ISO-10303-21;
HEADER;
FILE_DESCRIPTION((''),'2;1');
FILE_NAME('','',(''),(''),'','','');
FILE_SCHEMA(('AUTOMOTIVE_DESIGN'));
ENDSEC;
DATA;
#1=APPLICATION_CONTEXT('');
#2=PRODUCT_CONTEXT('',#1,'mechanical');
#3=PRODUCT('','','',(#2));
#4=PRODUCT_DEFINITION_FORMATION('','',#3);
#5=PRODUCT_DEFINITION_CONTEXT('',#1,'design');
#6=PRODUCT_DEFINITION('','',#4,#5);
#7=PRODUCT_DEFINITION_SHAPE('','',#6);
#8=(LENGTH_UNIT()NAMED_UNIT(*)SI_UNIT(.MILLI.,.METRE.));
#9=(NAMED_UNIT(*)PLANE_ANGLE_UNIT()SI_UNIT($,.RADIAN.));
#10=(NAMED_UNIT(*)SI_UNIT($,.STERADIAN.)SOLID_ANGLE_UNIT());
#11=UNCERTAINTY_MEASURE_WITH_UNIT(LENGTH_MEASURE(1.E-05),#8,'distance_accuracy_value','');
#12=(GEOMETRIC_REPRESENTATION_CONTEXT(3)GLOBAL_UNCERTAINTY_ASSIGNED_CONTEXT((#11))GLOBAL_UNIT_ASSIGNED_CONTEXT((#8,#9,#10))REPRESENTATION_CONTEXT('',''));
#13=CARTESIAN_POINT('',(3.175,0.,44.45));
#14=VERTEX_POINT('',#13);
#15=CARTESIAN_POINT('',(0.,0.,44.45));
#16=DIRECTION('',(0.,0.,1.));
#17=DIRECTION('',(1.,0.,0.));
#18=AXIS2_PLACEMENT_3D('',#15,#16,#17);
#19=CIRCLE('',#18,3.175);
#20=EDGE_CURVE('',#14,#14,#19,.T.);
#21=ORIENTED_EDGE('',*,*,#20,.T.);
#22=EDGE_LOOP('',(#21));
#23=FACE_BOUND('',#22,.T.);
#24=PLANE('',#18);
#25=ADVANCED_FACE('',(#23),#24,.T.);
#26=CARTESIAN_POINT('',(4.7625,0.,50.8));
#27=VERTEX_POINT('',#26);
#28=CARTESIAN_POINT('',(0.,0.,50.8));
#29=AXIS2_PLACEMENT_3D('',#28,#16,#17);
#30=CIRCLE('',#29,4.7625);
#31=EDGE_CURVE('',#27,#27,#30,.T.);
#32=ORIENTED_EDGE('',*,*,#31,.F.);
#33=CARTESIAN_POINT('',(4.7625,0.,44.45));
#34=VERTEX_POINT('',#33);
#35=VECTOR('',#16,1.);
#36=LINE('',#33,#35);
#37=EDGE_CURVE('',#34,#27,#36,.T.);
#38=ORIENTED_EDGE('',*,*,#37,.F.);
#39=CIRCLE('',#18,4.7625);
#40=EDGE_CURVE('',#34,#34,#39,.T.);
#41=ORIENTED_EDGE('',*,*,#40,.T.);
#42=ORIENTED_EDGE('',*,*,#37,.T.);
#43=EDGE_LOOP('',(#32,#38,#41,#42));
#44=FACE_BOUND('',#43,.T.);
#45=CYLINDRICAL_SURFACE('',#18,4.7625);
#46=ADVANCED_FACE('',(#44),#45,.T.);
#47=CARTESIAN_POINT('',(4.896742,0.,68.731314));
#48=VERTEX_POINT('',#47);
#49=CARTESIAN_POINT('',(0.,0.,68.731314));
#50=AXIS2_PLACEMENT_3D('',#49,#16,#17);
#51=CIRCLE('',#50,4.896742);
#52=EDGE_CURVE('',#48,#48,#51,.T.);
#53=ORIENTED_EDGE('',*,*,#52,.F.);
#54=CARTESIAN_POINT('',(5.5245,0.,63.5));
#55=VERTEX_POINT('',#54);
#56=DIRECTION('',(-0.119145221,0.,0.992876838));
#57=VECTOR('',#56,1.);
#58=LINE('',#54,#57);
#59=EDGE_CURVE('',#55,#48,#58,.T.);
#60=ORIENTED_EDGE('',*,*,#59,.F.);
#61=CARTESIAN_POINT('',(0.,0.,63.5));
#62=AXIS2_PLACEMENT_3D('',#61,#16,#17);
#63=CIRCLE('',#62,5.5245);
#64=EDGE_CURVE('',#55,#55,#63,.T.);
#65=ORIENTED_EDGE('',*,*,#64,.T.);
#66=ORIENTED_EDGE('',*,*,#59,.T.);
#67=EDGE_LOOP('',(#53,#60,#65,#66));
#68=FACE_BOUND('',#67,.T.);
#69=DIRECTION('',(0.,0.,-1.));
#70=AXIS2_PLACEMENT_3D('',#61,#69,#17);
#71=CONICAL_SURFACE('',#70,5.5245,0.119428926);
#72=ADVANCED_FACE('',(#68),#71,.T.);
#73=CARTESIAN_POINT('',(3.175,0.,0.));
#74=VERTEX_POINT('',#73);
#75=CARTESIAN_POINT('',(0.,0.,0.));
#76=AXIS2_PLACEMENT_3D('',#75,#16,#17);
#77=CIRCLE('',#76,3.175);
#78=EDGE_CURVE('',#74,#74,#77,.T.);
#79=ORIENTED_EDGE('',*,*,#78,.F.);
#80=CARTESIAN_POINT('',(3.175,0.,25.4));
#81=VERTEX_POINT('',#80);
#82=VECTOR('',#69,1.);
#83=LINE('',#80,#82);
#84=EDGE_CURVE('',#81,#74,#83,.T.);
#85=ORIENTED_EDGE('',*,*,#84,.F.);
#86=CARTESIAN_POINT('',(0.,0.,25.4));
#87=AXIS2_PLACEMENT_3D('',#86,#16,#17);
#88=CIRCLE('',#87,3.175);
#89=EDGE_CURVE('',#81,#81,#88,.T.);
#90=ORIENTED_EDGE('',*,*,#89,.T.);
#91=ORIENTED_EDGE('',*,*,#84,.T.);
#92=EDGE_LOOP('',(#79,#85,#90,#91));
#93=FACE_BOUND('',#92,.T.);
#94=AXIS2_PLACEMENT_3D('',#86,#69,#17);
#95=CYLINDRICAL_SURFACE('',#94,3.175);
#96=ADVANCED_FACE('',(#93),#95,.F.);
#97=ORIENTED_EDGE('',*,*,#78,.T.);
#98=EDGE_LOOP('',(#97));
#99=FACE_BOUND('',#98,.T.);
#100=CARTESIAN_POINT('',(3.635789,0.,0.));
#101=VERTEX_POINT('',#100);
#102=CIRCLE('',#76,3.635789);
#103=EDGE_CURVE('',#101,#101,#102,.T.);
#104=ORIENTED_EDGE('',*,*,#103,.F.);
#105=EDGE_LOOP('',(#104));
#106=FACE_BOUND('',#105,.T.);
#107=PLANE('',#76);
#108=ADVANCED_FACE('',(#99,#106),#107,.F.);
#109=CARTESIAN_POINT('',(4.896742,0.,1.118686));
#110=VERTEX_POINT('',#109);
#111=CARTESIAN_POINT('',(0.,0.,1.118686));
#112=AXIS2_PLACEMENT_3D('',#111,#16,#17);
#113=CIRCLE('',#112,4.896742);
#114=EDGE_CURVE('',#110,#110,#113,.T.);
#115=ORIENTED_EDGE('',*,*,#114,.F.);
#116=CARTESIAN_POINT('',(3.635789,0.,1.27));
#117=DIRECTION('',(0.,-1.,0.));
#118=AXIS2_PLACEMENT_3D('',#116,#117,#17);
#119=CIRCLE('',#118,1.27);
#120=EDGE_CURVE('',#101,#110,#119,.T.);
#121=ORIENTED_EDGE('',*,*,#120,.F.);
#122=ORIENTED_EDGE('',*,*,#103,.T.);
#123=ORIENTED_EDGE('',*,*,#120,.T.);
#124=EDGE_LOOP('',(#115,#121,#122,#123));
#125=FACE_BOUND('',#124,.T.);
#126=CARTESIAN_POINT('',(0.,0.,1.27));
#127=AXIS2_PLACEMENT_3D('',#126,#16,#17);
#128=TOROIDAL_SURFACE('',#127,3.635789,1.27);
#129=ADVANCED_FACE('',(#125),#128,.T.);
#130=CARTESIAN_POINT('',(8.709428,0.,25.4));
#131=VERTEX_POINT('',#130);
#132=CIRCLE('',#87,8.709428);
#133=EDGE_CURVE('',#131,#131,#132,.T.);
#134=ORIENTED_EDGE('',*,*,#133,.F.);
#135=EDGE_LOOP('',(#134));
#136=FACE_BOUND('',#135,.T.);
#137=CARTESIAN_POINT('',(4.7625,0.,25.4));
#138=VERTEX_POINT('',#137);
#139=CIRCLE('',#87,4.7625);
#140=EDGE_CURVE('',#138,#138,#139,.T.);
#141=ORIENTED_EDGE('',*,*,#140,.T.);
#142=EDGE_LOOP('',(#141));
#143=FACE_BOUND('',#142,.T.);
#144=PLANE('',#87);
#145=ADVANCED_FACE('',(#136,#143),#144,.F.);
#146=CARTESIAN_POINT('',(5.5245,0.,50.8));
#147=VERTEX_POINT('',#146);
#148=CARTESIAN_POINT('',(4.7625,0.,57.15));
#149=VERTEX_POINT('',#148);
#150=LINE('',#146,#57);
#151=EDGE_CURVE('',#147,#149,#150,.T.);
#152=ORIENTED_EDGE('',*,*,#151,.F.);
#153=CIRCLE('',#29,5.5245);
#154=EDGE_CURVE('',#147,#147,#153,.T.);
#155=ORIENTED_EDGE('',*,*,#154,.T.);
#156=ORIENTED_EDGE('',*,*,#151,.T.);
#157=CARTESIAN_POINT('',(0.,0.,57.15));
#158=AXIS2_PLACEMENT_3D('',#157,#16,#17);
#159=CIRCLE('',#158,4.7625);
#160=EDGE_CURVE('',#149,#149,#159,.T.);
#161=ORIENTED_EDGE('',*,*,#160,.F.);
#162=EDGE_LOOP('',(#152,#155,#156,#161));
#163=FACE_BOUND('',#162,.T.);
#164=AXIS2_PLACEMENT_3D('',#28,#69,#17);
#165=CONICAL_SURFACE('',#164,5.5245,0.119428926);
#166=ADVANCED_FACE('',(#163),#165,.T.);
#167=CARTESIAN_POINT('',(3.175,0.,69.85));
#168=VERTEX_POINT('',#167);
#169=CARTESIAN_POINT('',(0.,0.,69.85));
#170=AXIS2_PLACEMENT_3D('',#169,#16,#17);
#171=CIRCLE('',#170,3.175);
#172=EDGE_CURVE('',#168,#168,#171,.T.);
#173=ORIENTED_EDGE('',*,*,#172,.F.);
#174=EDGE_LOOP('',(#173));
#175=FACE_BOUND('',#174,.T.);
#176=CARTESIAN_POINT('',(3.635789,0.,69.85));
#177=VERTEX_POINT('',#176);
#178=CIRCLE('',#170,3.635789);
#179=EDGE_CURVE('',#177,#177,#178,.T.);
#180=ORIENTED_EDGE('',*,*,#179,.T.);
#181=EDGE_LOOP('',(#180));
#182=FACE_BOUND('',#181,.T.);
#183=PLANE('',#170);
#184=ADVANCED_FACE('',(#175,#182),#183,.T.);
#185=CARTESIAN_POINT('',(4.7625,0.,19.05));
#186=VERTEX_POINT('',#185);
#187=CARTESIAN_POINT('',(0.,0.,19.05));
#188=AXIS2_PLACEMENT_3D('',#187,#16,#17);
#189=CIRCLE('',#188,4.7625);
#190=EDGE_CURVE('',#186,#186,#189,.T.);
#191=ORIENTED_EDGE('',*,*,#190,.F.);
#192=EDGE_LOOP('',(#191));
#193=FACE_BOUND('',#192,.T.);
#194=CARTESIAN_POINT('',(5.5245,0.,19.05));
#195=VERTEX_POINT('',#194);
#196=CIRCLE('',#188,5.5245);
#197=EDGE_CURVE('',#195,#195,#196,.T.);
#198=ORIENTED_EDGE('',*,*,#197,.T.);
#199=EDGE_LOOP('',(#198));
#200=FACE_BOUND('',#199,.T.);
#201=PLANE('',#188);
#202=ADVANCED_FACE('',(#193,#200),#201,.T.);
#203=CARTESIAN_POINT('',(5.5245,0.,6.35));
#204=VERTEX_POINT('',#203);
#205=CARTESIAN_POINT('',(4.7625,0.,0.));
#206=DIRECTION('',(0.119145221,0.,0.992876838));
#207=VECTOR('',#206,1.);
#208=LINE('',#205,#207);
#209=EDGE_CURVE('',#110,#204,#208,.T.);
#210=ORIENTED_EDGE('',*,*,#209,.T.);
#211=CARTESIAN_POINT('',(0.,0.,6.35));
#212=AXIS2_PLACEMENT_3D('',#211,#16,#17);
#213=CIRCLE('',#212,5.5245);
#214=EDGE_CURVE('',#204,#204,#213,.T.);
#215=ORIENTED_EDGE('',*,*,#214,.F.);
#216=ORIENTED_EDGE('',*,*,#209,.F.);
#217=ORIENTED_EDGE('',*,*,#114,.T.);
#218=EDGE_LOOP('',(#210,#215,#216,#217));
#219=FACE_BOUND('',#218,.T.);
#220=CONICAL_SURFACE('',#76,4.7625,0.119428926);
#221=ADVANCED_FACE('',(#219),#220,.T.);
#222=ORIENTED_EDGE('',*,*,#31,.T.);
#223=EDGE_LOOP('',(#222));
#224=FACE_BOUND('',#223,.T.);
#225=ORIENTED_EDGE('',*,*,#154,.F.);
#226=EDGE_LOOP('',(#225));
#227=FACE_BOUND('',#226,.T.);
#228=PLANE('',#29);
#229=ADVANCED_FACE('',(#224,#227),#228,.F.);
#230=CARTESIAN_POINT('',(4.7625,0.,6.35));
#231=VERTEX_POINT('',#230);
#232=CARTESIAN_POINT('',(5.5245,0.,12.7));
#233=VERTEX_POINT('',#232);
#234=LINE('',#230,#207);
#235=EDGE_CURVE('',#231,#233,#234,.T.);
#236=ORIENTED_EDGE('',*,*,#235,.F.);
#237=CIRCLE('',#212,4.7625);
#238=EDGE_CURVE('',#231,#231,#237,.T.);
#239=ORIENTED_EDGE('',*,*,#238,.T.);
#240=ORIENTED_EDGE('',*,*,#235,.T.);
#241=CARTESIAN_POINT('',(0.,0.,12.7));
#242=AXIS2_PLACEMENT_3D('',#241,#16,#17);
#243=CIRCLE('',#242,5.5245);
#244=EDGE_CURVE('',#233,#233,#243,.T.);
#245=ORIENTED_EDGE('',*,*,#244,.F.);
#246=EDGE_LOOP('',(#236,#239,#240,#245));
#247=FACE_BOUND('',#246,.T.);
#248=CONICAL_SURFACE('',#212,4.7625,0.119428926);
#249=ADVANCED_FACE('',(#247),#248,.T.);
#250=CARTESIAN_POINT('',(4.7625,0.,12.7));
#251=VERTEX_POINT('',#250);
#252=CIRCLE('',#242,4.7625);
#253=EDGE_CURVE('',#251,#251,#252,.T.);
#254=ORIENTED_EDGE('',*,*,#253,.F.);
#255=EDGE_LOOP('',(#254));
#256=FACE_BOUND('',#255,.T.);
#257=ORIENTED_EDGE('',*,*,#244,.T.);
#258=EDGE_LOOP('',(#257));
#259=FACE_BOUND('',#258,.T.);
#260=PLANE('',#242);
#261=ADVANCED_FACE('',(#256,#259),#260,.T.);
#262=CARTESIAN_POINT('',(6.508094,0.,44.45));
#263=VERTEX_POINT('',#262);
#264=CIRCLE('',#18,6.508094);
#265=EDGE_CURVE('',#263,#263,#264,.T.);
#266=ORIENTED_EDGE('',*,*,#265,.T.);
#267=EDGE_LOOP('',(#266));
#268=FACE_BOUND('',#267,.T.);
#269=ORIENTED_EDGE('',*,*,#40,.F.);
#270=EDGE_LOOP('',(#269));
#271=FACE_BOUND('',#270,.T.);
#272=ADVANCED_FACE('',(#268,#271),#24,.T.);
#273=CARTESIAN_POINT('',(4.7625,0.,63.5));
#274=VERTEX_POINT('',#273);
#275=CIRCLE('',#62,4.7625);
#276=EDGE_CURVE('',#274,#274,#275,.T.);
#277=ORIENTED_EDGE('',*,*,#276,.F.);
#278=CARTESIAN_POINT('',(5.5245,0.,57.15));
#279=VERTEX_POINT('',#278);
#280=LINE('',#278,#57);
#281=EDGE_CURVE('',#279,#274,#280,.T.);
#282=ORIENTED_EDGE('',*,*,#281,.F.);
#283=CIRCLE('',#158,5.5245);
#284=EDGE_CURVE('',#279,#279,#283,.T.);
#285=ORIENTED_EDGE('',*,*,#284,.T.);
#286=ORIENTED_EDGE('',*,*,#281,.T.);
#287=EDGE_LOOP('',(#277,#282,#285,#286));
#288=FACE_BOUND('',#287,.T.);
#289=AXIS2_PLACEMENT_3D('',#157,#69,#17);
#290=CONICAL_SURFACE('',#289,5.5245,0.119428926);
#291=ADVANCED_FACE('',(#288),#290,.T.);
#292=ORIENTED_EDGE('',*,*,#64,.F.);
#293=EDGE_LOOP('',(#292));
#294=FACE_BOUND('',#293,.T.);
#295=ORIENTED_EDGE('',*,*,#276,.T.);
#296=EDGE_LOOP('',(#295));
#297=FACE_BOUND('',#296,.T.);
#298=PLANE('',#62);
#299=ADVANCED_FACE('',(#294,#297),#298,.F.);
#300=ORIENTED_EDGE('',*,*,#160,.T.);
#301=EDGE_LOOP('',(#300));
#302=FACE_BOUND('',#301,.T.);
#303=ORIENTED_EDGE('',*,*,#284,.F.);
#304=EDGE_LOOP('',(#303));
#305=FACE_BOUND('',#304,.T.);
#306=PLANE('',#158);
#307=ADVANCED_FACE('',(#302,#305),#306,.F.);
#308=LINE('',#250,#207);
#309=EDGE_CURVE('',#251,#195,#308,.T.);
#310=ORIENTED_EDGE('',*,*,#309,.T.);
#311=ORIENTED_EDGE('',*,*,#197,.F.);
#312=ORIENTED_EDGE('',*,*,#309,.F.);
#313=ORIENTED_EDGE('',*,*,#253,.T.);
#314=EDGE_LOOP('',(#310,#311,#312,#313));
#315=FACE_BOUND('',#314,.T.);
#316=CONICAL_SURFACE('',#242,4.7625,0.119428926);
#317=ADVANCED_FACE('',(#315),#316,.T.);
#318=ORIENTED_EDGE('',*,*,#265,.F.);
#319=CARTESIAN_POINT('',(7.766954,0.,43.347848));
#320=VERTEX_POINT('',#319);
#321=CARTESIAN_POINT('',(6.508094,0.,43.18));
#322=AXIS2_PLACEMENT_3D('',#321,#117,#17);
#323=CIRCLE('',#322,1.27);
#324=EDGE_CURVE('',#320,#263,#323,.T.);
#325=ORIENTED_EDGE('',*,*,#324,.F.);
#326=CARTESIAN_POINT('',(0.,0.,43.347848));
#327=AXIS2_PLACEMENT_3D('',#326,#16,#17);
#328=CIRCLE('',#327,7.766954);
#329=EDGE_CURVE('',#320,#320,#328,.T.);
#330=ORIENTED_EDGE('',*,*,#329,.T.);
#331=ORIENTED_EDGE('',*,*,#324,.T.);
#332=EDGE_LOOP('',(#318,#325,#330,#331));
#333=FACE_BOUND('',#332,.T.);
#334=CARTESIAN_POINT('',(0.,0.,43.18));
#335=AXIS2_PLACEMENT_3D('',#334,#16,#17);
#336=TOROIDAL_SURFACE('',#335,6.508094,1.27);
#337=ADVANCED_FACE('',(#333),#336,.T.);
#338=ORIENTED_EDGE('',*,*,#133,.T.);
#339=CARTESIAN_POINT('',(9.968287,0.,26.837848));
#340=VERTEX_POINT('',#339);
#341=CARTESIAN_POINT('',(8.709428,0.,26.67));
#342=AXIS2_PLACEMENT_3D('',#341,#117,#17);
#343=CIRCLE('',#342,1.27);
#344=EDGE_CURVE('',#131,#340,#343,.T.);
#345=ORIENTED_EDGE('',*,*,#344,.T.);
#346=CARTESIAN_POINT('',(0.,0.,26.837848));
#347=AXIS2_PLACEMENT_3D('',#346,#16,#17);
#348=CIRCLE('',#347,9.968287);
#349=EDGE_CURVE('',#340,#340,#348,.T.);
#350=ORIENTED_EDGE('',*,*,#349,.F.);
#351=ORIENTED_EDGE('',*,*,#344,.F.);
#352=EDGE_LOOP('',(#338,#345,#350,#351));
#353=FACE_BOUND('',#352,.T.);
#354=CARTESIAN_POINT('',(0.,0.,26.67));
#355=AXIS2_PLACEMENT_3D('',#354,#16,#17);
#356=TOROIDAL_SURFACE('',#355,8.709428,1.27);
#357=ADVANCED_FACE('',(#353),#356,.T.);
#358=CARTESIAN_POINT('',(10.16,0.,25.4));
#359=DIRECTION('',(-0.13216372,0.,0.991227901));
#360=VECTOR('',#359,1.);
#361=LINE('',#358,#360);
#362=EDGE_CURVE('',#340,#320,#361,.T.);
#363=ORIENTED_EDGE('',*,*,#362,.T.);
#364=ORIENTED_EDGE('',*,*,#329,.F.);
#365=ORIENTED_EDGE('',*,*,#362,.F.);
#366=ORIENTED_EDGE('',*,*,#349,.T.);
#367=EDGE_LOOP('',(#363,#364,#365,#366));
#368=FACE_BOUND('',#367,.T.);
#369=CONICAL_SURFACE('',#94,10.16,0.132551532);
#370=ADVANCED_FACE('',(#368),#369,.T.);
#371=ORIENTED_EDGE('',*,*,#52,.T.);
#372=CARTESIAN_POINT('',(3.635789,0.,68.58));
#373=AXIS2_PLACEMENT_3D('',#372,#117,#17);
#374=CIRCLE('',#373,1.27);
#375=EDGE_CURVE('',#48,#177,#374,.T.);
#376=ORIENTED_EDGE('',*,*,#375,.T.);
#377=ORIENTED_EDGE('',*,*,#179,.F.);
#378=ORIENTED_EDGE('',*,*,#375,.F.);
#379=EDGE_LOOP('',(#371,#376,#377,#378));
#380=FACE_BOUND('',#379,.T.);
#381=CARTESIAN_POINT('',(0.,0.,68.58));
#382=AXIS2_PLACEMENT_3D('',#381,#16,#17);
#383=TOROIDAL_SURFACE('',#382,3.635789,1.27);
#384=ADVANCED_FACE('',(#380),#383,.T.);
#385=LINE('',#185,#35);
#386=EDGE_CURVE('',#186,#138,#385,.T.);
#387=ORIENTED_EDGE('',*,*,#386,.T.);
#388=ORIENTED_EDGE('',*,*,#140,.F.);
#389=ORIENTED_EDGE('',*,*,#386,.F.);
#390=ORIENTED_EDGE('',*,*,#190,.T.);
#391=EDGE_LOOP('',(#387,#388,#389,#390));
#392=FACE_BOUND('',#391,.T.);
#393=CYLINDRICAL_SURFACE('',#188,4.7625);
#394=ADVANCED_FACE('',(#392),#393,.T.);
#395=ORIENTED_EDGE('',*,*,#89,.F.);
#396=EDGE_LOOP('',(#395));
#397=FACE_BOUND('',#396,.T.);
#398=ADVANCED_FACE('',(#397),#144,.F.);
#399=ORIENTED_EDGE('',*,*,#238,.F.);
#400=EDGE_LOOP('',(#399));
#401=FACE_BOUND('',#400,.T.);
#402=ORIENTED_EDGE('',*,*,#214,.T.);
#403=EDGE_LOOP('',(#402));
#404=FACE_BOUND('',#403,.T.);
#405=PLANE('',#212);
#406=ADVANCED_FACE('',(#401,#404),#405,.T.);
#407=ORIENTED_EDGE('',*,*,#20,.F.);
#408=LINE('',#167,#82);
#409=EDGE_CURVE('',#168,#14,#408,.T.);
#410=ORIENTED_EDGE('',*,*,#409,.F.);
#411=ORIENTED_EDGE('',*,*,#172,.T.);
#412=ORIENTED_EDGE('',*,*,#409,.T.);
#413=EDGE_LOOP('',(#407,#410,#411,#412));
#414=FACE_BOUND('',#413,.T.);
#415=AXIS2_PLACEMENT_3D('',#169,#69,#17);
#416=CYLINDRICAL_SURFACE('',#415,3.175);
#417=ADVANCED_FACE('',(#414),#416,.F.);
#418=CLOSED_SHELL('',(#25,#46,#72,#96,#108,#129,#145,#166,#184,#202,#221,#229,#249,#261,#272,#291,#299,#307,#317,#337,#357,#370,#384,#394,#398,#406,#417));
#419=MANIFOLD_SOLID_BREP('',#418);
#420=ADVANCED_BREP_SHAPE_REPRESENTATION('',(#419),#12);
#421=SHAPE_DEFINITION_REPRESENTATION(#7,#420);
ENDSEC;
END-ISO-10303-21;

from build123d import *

# Parameters (mm, degrees)
F2_R = 1.27


with BuildPart() as f1:
    # F0 (on Front) → F1 (revolve)
    with BuildSketch(Plane.XZ):
        Polygon((0, 34.925), (0, 25.4), (3.175, 25.4), (4.7625, 25.4), (5.5245, 25.4), (7.62, 25.4), (10.16, 25.4), (8.89, 34.925), align=None)
        Polygon((0, 44.45), (0, 34.925), (8.89, 34.925), (7.62, 44.45), (5.5245, 44.45), (4.7625, 44.45), (4.7625, 50.8), (5.5245, 50.8), (4.7625, 57.15), (5.5245, 57.15), (4.7625, 63.5), (5.5245, 63.5), (4.7625, 69.85), (3.175, 69.85), (3.175, 44.45), align=None)
        Polygon((4.7625, 25.4), (3.175, 25.4), (3.175, 0), (4.7625, 0), (5.5245, 6.35), (4.7625, 6.35), (5.5245, 12.7), (4.7625, 12.7), (5.5245, 19.05), (4.7625, 19.05), align=None)
    revolve(axis=Axis((0, 0, 34.925), (0, 0, 1)))

    # F2
    f2_edges = [f1.edges().sort_by_distance(p)[0] for p in [
        (-10.16, 0, 25.4),
        (-7.62, 0, 44.45),
        (-4.7625, 0, 69.85),
        (-4.7625, 0, 0),
    ]]
    fillet(f2_edges, radius=F2_R)


solid = f1.part
